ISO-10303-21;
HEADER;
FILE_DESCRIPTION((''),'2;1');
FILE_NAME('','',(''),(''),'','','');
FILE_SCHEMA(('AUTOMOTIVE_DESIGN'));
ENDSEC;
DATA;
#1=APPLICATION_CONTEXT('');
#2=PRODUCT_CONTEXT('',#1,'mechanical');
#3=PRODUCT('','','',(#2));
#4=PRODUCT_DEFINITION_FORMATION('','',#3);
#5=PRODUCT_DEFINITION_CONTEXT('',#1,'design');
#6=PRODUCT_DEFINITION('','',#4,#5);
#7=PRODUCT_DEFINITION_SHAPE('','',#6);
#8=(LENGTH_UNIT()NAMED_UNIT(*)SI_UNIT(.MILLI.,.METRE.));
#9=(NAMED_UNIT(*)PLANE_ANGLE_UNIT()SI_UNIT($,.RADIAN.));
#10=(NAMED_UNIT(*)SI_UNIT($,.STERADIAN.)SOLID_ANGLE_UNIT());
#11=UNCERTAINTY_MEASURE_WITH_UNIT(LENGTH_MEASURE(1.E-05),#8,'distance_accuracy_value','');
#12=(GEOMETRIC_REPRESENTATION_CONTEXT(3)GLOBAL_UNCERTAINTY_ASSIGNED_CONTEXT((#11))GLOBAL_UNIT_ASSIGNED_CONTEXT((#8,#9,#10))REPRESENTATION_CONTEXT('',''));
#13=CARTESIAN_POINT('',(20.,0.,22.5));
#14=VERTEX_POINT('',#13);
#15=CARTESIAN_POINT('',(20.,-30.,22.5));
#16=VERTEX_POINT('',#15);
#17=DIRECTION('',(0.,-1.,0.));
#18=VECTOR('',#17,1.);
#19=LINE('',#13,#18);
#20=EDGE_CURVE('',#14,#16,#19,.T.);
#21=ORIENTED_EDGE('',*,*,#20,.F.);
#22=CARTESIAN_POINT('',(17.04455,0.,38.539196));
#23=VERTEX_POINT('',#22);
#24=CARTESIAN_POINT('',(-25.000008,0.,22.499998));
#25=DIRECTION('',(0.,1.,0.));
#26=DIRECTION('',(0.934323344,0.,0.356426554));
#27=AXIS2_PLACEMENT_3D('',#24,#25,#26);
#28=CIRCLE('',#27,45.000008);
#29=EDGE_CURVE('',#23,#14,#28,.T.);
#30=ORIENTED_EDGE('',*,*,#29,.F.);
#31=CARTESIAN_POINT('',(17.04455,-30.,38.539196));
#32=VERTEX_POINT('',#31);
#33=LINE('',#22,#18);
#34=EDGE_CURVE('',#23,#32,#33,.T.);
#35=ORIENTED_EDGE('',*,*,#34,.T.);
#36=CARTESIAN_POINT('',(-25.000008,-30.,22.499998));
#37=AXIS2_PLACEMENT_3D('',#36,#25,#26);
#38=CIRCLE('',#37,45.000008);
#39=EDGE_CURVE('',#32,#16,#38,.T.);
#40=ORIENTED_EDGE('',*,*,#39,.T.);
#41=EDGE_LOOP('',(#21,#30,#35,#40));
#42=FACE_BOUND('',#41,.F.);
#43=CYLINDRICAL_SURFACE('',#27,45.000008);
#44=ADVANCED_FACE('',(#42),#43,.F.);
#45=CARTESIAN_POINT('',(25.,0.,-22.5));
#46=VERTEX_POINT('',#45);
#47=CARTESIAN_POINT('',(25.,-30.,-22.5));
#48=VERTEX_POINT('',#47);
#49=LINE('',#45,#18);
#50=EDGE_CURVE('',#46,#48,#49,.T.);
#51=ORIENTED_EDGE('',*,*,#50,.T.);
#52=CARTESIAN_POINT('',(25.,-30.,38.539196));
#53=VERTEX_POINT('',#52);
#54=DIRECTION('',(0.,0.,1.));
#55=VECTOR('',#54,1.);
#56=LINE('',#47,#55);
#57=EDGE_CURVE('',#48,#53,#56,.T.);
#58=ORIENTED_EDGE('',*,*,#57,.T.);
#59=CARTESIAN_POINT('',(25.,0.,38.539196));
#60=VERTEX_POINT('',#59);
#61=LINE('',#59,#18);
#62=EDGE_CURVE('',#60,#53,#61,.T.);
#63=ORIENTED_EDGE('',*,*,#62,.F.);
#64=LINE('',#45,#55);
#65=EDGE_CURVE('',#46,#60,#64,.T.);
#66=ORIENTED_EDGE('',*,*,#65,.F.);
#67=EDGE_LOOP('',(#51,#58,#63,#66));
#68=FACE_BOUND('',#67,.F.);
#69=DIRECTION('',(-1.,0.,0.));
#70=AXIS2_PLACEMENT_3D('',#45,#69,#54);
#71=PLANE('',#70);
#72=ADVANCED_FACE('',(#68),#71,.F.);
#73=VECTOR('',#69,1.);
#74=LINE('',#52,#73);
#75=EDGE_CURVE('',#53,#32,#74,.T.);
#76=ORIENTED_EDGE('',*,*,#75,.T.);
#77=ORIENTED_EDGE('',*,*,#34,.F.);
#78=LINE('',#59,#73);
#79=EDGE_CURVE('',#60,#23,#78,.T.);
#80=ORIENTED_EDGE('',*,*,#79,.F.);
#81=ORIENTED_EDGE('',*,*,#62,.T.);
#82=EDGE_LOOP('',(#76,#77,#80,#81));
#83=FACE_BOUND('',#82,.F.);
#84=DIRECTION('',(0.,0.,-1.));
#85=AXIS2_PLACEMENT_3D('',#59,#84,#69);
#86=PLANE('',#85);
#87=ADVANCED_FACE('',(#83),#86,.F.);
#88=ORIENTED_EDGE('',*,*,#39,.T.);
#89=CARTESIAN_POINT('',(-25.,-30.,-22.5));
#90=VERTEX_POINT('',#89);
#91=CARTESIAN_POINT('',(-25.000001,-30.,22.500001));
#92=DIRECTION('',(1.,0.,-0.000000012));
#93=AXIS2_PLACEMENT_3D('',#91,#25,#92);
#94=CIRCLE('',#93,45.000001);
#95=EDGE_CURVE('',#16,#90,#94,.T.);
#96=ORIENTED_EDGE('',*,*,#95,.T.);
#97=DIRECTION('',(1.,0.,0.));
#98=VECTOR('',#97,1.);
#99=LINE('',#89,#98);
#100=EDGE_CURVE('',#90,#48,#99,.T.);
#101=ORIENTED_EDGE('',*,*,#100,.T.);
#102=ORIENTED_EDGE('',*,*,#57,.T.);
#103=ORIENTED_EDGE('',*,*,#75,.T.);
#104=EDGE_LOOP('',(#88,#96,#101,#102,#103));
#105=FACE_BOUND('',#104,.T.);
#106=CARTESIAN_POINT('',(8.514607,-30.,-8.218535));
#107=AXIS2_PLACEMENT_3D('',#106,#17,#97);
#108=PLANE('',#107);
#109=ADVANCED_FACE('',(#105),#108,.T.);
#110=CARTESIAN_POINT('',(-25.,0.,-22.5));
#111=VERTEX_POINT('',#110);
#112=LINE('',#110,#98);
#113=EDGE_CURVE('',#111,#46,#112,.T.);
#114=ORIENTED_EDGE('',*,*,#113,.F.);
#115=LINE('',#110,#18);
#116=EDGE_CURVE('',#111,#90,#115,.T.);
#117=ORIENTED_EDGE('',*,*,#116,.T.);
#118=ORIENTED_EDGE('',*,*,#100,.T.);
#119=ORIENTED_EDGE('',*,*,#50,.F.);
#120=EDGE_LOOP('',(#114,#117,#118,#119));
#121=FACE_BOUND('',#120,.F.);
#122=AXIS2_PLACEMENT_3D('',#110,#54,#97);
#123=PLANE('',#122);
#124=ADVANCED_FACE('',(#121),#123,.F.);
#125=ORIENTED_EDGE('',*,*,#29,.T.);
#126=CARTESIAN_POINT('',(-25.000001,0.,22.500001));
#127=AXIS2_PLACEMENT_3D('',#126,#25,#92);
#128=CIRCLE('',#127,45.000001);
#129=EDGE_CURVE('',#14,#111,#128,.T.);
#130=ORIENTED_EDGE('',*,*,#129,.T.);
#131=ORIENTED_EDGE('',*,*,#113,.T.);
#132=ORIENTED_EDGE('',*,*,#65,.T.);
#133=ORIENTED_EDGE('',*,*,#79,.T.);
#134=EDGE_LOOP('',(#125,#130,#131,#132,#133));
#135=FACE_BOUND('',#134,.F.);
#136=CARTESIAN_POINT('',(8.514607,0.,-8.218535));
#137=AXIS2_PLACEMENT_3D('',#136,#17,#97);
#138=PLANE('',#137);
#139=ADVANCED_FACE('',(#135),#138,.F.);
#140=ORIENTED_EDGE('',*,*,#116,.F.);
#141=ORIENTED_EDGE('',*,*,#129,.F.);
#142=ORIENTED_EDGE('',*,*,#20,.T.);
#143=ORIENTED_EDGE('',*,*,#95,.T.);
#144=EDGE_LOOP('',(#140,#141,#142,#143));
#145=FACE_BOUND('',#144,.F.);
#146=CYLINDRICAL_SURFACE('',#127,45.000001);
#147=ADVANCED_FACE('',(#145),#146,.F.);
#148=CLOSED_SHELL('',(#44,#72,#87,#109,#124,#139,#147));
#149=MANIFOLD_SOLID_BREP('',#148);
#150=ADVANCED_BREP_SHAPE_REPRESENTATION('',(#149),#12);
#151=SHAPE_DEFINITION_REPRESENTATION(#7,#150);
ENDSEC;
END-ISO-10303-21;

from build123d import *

# Parameters (mm, degrees)
F1_DEPTH = 30


with BuildPart() as f1:
    # F0 (on Front) → F1 (new body)
    with BuildSketch(Plane.XZ):
        with BuildLine():
            ThreePointArc((20, 22.5), (6.819805, -9.319805), (-25, -22.5))
            Line((-25, -22.5), (25, -22.5))
            Line((25, -22.5), (25, 22.5))
            Line((25, 22.5), (20, 22.5))
        make_face()
        with BuildLine():
            Line((25, 38.539196), (17.04455, 38.539196))
            ThreePointArc((17.04455, 38.539196), (19.25497, 30.654607), (20, 22.5))
            Line((20, 22.5), (25, 22.5))
            Line((25, 22.5), (25, 38.539196))
        make_face()
    extrude(amount=F1_DEPTH)


solid = f1.part
